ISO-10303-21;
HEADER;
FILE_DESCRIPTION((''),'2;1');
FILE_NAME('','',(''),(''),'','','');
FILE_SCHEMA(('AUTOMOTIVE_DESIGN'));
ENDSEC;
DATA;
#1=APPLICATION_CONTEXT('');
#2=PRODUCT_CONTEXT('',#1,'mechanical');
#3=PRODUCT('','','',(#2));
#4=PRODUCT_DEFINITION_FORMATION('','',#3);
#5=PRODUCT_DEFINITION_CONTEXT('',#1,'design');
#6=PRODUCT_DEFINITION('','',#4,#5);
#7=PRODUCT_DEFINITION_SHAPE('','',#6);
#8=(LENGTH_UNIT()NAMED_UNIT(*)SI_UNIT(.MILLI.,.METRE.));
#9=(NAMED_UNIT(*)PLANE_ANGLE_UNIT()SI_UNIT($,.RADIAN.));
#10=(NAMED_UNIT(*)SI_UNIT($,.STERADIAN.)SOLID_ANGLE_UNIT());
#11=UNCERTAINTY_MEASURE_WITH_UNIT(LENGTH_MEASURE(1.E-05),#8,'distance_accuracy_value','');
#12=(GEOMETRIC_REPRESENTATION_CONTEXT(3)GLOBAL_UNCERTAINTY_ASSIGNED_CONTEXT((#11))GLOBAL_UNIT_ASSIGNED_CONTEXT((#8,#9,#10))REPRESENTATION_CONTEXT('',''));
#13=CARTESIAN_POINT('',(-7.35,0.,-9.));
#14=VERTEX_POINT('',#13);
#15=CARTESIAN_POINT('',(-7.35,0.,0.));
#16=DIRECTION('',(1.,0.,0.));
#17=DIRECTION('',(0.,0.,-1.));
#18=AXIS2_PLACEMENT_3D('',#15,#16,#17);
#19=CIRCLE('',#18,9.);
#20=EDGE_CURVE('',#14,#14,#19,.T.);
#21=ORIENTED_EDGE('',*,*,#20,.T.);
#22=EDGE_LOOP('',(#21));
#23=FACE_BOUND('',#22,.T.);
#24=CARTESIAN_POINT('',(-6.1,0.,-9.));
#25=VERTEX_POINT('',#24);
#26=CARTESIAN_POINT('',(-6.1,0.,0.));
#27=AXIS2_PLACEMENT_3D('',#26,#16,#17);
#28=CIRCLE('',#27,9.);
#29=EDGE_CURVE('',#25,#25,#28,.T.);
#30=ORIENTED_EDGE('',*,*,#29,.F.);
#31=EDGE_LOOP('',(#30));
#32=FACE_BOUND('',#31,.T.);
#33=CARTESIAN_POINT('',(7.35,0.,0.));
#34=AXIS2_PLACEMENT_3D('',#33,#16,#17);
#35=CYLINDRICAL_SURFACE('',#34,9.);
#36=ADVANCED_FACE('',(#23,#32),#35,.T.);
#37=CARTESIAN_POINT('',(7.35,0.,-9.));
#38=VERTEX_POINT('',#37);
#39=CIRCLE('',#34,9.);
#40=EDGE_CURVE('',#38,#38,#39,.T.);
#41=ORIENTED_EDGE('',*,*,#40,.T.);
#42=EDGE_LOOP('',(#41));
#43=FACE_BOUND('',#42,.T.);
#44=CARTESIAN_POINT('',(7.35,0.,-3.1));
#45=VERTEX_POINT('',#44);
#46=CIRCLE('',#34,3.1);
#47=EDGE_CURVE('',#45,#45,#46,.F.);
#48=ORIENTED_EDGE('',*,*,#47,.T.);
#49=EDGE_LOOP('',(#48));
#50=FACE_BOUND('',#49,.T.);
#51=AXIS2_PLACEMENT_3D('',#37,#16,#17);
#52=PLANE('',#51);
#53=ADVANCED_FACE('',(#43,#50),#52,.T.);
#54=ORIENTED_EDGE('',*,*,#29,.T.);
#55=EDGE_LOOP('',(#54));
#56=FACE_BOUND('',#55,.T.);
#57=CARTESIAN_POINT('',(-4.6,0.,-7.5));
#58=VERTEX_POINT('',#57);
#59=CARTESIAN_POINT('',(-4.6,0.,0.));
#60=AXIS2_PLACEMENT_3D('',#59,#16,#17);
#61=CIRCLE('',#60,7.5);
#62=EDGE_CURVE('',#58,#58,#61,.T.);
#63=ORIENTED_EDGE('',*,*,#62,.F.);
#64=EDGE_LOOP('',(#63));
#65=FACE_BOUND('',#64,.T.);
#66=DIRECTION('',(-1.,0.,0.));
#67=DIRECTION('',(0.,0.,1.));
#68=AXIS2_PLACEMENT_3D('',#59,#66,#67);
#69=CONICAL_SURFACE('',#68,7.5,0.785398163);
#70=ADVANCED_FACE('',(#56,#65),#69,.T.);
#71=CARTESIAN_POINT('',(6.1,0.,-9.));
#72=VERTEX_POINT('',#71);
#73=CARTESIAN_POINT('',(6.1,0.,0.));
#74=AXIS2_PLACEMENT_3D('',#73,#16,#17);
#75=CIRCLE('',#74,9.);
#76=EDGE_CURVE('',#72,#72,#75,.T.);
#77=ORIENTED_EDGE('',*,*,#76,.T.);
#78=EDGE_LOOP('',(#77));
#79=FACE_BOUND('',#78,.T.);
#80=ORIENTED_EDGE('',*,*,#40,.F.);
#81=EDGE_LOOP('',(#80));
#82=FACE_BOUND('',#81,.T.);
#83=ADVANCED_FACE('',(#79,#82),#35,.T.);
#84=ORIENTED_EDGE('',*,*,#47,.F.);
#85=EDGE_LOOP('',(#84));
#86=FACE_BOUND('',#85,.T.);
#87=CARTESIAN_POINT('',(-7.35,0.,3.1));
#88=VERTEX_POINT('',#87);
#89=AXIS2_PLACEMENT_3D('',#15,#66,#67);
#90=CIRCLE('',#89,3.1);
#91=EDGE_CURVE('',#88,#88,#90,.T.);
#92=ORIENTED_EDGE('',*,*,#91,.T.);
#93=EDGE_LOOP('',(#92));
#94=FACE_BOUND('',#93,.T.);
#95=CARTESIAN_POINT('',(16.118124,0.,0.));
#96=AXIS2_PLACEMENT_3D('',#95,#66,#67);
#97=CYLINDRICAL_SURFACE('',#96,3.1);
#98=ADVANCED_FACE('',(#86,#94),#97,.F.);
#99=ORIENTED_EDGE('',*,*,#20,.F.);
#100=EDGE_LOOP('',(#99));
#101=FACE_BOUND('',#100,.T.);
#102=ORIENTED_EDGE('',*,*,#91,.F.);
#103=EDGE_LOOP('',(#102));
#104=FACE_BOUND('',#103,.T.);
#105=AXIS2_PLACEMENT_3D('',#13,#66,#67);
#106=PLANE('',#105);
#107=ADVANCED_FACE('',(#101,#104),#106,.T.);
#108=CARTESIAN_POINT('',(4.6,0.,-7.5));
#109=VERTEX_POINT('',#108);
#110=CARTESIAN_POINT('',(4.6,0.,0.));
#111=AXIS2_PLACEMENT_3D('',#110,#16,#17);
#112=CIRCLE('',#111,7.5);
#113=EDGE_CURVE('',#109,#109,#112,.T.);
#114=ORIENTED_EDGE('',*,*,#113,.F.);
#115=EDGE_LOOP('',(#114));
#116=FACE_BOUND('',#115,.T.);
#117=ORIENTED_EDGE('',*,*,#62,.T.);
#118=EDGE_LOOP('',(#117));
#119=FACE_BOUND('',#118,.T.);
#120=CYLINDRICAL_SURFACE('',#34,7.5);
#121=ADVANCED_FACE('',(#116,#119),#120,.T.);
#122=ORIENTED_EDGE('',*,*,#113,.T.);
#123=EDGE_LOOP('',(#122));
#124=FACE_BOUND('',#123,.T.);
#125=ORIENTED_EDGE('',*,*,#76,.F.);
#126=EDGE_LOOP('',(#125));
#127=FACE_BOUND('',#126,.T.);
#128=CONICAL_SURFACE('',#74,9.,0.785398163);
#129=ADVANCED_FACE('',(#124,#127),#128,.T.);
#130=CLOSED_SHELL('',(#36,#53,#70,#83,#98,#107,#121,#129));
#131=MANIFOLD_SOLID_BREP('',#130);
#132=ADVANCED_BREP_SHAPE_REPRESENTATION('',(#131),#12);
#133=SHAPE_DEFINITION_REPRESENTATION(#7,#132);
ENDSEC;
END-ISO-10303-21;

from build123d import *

# Parameters (mm, degrees)
SKETCH3_R          = 3.1
CUT_EXTRUDE1_DEPTH = 14.7


with BuildPart() as part:
    # Sketch2 → Revolve1 (revolve)
    with BuildSketch(Plane(origin=(0, 0, 0), x_dir=(1, 0, 0), z_dir=(0, 1, 0))):
        Polygon((-7.35, 9), (-6.1, 9), (-4.6, 7.5), (4.6, 7.5), (6.1, 9), (7.35, 9), (7.35, 0), (-7.35, 0), align=None)
    revolve(axis=Axis((7.35, 0, 0), (-1, 0, 0)))

    # Sketch3 → Cut-Extrude1 (cut)
    with BuildSketch(Plane.ZY.offset(7.35)):
        Circle(SKETCH3_R)
    extrude(amount=-CUT_EXTRUDE1_DEPTH, mode=Mode.SUBTRACT)


solid = part.part
